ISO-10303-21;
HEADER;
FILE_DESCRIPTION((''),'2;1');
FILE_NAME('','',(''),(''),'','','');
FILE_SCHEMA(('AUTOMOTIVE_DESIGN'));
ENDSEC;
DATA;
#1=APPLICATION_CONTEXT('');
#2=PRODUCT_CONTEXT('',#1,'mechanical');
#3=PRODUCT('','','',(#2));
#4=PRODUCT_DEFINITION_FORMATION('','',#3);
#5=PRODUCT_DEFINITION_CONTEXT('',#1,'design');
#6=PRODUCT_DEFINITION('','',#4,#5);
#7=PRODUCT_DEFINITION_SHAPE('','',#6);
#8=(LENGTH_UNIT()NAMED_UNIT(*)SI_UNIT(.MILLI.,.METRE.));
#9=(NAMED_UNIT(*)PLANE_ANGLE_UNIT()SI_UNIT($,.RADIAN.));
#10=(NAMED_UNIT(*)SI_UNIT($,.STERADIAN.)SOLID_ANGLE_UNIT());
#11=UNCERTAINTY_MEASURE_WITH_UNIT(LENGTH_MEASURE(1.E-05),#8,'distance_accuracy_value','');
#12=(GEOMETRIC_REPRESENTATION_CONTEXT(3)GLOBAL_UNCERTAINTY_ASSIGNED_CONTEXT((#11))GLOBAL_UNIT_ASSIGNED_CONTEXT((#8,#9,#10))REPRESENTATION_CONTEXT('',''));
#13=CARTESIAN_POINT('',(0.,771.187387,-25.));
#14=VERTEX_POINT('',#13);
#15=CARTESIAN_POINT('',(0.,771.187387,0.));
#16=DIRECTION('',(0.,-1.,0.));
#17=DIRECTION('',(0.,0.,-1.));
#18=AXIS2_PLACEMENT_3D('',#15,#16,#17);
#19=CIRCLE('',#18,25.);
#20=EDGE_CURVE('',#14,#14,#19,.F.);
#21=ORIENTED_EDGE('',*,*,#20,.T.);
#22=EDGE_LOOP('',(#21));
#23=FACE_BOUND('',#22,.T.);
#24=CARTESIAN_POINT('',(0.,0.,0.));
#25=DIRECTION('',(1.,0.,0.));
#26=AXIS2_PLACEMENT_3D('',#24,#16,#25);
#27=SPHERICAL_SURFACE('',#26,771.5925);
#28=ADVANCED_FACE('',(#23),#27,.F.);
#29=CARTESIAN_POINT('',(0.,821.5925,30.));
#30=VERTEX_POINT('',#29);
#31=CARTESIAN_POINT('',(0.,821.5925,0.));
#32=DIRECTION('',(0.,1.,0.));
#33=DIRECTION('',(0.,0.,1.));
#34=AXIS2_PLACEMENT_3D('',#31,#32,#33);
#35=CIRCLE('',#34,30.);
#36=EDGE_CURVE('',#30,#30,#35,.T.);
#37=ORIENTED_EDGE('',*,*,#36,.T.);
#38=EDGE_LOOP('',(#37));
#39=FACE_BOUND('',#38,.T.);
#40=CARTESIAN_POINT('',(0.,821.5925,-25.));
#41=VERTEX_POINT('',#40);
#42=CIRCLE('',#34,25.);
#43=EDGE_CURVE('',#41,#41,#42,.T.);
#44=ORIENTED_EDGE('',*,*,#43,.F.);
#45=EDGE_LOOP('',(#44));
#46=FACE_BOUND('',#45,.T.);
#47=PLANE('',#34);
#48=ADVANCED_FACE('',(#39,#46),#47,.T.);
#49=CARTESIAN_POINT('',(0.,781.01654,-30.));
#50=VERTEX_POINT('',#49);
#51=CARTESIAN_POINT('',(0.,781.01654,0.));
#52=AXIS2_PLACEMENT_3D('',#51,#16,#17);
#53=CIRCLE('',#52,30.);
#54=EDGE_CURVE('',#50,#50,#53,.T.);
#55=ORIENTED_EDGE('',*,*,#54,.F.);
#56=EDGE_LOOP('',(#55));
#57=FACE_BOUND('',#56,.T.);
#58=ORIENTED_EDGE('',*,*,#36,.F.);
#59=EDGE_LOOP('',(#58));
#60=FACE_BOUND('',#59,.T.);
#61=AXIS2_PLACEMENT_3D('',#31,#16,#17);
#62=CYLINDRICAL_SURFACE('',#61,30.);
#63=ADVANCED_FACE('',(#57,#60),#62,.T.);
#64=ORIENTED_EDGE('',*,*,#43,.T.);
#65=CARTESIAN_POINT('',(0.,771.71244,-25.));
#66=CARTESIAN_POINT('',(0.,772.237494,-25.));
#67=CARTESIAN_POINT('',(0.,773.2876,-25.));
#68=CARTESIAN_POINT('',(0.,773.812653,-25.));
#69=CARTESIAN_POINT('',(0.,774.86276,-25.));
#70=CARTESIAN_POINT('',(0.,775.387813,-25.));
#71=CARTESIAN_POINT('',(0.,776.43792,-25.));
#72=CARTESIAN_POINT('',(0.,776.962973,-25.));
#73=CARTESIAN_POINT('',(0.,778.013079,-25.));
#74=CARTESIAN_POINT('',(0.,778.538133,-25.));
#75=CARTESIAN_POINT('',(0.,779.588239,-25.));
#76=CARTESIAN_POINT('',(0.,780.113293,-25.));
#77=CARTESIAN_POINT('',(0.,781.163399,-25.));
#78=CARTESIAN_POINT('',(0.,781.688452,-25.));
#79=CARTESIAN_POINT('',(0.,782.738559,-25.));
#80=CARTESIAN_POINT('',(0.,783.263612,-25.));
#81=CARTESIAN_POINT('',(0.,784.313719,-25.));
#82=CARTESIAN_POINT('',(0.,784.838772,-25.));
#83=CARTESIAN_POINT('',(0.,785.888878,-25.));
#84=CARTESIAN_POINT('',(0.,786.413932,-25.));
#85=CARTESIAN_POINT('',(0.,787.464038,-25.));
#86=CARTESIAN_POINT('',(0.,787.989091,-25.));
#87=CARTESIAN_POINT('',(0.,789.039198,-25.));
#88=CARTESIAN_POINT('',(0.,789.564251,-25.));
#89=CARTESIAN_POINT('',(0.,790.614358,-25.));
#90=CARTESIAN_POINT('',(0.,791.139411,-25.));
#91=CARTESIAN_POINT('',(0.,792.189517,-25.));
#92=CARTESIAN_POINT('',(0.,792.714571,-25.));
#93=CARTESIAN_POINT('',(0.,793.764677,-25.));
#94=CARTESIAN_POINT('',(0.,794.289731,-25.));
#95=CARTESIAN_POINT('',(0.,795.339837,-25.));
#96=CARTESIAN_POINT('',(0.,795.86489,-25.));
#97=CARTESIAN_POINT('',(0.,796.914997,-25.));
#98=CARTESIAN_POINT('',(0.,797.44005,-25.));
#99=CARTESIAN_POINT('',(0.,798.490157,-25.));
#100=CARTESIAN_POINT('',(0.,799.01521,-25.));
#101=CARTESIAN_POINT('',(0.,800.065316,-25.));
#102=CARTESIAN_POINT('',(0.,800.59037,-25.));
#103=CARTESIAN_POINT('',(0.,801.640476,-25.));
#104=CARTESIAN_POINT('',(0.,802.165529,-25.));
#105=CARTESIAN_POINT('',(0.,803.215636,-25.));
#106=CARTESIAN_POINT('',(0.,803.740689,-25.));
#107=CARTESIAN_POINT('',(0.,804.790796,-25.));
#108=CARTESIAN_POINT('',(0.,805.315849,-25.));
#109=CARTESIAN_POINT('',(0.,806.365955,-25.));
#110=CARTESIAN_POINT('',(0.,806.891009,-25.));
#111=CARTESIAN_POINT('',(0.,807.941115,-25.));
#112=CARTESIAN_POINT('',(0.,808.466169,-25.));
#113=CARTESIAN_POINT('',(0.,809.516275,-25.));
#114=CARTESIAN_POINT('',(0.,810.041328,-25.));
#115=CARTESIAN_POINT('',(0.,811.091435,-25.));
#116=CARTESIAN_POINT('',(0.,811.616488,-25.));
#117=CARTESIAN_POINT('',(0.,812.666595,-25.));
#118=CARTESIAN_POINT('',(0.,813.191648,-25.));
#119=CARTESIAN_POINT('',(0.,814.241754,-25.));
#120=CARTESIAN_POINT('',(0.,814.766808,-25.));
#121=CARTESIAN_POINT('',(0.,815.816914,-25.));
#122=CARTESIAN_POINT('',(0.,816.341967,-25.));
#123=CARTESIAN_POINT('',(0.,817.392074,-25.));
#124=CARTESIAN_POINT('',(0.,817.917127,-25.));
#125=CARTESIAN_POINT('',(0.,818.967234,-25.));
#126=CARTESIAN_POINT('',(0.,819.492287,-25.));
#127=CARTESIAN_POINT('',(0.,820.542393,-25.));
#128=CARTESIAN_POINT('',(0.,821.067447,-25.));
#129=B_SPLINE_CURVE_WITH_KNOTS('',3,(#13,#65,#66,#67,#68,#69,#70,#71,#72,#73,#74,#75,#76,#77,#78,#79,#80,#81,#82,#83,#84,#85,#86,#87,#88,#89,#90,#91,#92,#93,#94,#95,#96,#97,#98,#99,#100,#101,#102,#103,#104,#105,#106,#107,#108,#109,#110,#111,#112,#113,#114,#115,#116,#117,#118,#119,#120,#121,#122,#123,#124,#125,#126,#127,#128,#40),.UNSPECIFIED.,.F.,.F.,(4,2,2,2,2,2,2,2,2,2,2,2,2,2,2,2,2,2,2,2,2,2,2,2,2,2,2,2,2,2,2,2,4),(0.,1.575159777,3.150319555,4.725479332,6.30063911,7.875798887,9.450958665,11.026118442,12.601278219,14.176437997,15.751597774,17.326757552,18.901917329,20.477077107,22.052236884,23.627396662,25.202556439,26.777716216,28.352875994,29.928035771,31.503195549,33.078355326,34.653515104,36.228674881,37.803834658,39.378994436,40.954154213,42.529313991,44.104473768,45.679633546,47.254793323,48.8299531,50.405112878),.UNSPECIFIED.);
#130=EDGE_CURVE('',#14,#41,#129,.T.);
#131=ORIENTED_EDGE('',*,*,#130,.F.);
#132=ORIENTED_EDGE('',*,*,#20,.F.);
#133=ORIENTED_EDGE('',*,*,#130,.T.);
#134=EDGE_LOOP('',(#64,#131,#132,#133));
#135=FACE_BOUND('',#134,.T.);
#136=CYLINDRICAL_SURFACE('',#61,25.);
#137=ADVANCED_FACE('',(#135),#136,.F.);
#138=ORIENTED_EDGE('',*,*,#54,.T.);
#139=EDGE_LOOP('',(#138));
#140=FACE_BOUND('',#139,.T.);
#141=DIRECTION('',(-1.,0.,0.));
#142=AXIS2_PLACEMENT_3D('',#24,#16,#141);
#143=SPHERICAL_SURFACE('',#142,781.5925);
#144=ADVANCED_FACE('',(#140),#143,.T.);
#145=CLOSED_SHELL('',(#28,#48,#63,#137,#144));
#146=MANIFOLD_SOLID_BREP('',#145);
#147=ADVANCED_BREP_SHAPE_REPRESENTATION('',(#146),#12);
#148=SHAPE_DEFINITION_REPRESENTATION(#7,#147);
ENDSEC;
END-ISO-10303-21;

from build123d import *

# Parameters (mm, degrees)
SKETCH76_R          = 30
BOSS_EXTRUDE1_DEPTH = 50
SKETCH78_R          = 25
CUT_EXTRUDE1_DEPTH  = 1378.239234241


with BuildPart() as part:
    # Sketch74 → Revolve4 (revolve)
    with BuildSketch(Plane.XY):
        with BuildLine():
            Line((0, 781.5925), (0, 771.5925))
            ThreePointArc((0, 771.5925), (771.5925, 0), (0, -771.5925))
            Line((0, -771.5925), (0, -781.5925))
            ThreePointArc((0, -781.5925), (781.5925, 0), (0, 781.5925))
        make_face()
    revolve(axis=Axis((0, 0, 0), (0, 1, 0)))

    # Sketch76 → Boss-Extrude1 (add)
    with BuildSketch(Plane(origin=(0, 771.5925, 0), x_dir=(1, 0, 0), z_dir=(0, 1, 0))):
        with Locations(Location((0, 0, 0), (0, 0, 90))):
            Circle(SKETCH76_R)
    extrude(amount=BOSS_EXTRUDE1_DEPTH)

    # Sketch78 → Cut-Extrude1 (cut, through all)
    with BuildSketch(Plane(origin=(0, 0, 0), x_dir=(1, 0, 0), z_dir=(0, 1, 0))):
        with Locations(Location((0, 0, 0), (0, 0, 90))):
            Circle(SKETCH78_R)
    extrude(amount=CUT_EXTRUDE1_DEPTH, mode=Mode.SUBTRACT)


solid = part.part
